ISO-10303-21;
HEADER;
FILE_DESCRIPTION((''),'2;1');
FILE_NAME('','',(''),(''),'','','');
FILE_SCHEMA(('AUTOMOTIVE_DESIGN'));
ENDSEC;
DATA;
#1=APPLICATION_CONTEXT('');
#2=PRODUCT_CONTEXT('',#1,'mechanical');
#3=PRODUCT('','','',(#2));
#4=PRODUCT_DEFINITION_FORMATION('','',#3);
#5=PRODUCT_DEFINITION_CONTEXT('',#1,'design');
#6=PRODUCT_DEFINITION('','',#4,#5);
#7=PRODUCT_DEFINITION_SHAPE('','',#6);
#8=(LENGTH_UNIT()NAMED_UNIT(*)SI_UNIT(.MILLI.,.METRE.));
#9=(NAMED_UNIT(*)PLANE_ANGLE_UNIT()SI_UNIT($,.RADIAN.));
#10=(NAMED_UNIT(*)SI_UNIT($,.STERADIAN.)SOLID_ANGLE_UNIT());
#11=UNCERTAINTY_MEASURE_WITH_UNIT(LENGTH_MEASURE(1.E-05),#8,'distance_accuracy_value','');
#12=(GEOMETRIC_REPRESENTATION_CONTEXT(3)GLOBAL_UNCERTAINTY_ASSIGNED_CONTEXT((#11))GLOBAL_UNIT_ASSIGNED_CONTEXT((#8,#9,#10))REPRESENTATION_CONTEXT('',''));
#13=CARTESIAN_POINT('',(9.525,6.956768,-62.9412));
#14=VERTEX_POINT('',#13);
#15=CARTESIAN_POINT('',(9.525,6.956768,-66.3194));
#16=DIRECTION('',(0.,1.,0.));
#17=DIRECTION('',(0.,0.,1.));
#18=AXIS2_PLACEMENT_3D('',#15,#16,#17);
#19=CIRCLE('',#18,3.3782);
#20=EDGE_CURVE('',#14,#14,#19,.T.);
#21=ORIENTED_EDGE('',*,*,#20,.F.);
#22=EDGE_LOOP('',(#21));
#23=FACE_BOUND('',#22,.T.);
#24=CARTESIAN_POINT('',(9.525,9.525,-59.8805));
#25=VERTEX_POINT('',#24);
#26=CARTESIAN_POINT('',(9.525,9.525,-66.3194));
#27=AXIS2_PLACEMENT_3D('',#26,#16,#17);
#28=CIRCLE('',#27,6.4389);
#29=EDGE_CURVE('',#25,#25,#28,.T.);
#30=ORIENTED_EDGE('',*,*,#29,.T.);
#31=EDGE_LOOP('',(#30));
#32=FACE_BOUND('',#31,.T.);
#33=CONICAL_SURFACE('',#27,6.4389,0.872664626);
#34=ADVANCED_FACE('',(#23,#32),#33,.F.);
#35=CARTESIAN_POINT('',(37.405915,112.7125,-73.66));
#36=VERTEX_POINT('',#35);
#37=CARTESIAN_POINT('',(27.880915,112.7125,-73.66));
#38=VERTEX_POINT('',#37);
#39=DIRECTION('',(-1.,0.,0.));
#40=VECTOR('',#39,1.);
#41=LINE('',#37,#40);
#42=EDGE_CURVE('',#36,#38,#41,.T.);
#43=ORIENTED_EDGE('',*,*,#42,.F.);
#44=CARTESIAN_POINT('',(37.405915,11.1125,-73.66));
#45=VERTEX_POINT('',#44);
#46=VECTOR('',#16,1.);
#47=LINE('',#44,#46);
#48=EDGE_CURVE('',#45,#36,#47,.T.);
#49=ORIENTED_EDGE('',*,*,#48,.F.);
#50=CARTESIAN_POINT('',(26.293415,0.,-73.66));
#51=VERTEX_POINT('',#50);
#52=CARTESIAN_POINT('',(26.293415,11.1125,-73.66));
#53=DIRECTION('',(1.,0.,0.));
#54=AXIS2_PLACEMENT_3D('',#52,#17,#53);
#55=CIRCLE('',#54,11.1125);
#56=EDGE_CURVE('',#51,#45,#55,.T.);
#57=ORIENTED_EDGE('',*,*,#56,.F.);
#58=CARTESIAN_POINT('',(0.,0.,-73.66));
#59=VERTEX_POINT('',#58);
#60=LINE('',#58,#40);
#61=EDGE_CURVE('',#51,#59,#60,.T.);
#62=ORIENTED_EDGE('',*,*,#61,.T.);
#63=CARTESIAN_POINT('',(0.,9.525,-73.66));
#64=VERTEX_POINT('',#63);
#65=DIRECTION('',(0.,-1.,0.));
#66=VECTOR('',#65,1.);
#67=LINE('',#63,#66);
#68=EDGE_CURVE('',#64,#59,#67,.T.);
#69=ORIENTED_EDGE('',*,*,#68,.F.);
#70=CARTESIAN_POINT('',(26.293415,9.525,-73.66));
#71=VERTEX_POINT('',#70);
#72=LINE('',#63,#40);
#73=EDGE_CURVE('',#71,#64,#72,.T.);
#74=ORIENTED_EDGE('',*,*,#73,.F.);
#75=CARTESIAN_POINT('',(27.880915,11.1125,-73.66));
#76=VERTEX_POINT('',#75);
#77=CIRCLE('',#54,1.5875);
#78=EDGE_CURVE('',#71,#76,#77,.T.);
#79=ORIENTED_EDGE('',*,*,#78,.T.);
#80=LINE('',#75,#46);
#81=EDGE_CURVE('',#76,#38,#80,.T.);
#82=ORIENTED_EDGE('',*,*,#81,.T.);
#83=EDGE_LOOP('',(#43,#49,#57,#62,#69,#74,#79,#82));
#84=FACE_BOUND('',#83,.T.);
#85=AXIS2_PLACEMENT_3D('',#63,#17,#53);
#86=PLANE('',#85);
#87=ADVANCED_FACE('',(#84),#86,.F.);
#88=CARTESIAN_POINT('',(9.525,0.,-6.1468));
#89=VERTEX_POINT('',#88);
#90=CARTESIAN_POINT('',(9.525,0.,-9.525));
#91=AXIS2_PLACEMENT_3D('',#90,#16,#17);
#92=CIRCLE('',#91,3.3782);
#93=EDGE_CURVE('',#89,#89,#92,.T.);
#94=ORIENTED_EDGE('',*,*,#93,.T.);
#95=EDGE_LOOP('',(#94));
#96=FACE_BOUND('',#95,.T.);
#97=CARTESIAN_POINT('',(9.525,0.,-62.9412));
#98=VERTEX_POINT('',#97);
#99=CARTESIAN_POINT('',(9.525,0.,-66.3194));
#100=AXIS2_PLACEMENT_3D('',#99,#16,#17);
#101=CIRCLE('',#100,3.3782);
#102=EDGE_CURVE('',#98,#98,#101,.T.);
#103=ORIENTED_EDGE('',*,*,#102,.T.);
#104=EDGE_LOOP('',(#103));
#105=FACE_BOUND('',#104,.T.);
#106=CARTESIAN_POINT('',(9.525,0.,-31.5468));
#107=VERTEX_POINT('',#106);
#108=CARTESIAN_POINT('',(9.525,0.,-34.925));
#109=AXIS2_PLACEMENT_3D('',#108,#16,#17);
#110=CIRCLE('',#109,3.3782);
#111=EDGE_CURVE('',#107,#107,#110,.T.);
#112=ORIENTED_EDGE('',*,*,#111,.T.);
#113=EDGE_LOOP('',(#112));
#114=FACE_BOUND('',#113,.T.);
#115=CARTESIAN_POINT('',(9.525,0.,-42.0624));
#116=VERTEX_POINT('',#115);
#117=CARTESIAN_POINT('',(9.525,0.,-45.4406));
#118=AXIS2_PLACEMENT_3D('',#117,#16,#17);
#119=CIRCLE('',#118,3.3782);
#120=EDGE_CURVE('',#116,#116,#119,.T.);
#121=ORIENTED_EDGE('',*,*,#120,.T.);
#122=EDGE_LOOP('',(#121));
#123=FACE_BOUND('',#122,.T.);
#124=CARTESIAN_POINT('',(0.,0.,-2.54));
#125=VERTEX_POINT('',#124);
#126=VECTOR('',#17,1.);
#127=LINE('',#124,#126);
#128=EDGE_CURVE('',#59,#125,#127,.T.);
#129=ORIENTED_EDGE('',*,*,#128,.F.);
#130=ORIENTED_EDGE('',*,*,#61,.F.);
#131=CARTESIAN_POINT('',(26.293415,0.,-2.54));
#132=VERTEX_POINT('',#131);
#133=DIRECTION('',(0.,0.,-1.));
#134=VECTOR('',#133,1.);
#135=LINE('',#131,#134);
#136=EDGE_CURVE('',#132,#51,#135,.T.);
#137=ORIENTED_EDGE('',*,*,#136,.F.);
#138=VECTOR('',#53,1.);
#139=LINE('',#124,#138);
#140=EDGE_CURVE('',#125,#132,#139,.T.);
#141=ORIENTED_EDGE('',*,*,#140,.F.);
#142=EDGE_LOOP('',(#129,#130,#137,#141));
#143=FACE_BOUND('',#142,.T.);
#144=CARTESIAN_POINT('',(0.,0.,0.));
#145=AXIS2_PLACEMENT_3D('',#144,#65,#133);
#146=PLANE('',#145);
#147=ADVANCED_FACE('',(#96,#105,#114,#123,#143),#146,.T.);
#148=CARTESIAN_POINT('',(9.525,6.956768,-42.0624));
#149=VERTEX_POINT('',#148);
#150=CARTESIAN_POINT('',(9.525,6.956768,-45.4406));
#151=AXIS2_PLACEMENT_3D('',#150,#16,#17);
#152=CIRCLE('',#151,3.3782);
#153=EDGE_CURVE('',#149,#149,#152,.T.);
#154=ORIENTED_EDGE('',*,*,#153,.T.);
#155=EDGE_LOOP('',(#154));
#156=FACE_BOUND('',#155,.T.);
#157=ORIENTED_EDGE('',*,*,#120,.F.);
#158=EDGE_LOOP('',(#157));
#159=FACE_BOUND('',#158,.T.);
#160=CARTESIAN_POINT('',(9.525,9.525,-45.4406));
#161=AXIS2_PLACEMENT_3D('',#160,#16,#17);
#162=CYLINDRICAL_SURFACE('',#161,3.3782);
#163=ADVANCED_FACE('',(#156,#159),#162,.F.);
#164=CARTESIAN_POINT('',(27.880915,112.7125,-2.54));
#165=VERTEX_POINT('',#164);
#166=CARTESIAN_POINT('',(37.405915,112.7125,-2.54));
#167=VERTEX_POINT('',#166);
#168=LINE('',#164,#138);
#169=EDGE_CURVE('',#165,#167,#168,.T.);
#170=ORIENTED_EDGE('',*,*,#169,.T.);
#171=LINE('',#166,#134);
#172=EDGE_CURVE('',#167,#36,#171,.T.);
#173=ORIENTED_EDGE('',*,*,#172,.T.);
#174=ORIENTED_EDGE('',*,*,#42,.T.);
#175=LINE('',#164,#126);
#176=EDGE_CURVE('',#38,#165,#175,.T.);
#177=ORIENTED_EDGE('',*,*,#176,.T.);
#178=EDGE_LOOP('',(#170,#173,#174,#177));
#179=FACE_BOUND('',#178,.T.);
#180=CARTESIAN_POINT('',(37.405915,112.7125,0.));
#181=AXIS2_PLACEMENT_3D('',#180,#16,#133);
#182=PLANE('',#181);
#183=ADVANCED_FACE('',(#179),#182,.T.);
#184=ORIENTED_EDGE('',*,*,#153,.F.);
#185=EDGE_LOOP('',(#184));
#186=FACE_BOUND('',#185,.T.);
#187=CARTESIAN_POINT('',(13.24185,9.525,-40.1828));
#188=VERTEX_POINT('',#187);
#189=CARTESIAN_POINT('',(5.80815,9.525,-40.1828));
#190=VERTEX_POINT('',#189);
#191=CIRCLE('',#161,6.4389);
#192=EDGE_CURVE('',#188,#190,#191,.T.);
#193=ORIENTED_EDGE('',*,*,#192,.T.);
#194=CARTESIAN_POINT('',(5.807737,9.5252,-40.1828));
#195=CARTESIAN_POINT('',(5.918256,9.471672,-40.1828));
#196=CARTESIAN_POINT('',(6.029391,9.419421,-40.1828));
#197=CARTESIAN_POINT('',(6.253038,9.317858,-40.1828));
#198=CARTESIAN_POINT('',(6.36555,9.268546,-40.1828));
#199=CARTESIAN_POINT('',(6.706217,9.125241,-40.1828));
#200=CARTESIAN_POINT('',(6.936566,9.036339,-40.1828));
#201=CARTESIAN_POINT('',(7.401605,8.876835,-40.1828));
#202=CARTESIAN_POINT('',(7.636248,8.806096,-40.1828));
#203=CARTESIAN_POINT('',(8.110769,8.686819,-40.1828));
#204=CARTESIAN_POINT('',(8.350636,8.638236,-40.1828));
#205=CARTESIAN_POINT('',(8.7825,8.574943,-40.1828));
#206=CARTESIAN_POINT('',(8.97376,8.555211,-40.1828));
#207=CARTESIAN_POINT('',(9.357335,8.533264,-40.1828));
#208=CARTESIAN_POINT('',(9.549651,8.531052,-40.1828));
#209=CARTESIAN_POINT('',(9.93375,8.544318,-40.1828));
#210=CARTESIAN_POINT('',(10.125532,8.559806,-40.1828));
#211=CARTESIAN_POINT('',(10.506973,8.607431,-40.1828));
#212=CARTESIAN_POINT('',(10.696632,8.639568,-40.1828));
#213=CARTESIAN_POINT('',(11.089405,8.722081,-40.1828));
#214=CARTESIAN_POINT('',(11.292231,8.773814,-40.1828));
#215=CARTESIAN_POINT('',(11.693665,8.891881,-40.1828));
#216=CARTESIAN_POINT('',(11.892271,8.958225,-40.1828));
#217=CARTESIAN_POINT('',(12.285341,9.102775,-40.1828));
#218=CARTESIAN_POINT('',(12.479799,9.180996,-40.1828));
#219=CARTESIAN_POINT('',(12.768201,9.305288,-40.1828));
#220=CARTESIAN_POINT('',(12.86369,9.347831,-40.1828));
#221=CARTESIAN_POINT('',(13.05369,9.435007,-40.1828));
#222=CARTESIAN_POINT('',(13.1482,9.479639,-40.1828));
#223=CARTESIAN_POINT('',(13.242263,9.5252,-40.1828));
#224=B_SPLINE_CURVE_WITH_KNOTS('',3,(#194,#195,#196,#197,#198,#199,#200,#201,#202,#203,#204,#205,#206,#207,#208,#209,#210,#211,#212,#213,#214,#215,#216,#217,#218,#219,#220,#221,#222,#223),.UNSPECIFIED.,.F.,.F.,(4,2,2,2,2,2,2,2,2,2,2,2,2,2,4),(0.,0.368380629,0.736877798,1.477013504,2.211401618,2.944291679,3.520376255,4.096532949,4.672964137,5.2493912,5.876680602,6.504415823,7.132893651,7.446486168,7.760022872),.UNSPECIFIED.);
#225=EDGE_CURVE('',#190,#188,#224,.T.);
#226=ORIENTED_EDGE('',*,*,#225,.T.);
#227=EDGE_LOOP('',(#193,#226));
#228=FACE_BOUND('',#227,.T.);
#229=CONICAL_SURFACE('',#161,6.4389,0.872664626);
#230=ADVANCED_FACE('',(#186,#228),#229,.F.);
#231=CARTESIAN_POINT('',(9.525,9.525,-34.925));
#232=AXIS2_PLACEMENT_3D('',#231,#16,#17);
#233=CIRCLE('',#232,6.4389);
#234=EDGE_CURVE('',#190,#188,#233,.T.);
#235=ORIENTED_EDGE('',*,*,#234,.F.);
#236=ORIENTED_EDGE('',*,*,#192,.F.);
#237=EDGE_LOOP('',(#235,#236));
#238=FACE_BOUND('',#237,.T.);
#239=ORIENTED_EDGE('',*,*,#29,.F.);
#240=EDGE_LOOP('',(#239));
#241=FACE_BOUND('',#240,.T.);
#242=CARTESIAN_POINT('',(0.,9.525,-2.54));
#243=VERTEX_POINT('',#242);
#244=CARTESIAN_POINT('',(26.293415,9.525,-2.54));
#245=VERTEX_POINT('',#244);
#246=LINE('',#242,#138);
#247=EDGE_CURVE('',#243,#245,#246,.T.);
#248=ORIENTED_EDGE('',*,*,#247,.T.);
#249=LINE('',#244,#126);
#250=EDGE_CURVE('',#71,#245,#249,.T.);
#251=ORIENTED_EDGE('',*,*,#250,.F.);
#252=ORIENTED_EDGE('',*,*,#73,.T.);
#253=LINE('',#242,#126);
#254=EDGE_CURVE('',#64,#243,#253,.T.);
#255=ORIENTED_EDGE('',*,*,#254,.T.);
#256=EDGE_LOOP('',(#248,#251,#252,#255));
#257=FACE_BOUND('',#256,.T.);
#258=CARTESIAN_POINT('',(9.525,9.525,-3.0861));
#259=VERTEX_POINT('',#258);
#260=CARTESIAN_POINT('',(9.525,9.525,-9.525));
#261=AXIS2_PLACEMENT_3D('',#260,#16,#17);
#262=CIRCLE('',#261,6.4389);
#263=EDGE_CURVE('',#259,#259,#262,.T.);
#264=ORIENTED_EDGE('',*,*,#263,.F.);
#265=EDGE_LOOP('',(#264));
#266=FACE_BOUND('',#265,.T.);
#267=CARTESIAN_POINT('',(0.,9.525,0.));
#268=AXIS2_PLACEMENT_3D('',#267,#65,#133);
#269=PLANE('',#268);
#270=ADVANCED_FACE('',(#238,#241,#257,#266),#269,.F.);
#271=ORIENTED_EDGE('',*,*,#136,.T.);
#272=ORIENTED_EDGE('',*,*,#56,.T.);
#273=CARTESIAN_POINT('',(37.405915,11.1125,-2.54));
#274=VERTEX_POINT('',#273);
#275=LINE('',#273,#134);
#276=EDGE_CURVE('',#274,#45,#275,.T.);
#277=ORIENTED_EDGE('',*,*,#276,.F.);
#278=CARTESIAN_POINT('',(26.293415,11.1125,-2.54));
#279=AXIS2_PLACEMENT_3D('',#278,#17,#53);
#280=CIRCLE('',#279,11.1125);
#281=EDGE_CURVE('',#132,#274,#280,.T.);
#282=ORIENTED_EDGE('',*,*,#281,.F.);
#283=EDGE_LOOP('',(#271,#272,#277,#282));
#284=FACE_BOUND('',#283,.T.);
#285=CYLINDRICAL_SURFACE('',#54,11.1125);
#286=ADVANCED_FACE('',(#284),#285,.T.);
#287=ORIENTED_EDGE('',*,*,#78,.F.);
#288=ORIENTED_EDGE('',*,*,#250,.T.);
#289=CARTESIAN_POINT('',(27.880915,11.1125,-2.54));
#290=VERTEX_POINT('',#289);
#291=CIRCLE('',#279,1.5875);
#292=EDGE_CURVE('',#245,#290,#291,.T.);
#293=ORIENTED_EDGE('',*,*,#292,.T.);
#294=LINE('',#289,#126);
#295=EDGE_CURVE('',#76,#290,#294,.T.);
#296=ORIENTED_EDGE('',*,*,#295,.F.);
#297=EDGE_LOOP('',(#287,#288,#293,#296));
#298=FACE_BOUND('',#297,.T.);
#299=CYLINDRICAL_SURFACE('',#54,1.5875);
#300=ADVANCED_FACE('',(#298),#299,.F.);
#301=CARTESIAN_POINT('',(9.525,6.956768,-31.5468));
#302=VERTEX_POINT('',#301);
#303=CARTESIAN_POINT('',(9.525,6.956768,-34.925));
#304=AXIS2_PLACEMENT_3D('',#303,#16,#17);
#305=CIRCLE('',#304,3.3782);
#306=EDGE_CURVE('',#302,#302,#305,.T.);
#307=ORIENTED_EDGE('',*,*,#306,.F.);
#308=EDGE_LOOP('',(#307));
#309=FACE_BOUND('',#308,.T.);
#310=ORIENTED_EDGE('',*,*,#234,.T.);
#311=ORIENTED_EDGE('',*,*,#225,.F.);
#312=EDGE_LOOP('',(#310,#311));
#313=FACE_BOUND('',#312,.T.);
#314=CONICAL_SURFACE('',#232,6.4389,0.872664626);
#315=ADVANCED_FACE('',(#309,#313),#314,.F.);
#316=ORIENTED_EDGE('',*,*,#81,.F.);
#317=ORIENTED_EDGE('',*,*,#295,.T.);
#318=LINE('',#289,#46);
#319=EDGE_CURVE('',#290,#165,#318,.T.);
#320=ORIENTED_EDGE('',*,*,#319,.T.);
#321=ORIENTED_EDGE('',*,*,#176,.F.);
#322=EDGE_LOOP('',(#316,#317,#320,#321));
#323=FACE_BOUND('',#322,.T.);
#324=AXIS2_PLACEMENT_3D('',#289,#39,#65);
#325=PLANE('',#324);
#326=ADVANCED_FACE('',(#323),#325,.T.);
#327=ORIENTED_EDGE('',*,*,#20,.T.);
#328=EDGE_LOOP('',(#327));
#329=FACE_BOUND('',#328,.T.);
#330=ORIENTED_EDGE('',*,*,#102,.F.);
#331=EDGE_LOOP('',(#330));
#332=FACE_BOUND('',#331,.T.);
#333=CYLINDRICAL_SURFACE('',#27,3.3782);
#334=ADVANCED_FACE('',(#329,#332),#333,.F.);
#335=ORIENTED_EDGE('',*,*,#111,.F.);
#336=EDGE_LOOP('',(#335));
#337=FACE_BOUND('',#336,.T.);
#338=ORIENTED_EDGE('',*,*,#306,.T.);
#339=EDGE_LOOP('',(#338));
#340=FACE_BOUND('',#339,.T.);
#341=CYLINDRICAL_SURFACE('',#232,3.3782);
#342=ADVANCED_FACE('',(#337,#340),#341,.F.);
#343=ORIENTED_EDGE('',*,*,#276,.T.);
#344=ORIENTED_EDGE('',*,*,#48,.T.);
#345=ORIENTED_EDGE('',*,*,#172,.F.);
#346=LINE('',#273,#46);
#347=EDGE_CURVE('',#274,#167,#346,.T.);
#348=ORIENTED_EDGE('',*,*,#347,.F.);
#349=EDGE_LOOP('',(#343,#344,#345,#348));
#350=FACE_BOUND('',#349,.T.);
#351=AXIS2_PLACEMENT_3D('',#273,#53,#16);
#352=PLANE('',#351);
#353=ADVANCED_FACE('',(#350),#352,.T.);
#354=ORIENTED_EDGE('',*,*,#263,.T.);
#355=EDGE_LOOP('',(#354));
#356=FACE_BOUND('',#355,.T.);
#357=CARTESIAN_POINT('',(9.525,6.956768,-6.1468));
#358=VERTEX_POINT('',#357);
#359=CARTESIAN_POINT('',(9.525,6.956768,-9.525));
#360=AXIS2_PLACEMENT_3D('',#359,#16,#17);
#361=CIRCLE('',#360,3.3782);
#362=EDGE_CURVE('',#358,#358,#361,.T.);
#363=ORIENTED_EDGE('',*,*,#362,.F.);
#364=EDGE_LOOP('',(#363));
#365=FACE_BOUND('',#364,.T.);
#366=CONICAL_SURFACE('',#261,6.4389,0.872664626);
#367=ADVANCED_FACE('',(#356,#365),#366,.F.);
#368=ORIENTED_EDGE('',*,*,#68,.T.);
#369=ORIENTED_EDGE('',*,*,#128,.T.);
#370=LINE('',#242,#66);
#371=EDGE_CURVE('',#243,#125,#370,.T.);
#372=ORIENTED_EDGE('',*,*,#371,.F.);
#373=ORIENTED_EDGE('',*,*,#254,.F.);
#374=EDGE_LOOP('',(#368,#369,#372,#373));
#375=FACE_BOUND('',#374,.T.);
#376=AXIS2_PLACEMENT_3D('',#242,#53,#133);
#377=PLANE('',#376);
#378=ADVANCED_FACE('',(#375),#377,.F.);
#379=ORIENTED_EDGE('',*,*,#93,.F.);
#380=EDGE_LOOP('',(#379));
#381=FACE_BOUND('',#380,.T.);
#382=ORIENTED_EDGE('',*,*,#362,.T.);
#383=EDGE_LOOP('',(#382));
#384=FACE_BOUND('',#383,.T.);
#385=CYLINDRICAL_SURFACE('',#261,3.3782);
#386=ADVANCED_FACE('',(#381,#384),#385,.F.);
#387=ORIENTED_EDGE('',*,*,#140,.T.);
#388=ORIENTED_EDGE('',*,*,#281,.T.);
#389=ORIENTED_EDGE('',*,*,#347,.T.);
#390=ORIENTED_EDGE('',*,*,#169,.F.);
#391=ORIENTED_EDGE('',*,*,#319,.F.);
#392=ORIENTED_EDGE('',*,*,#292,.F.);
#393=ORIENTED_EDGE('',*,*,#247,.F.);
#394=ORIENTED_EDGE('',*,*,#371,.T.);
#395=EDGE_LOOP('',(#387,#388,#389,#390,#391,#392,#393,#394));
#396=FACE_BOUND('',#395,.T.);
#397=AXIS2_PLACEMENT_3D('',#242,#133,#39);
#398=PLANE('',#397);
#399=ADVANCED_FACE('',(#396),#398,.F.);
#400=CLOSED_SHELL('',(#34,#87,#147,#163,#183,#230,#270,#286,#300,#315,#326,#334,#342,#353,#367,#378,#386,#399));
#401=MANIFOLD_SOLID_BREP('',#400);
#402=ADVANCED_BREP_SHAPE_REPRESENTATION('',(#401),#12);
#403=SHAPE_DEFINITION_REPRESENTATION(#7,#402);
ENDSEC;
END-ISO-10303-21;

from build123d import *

# Parameters (mm, degrees)
SKETCH1_W                                           = 25.4
SKETCH1_H                                           = 71.12
BOSS_EXTRUDE1_DEPTH                                 = 9.525
CSK_FOR_1_4_FLAT_HEAD_MACHINE_SCREW_100_D           = 6.7564
CSK_FOR_1_4_FLAT_HEAD_MACHINE_SCREW_100_CSINK_D     = 12.8778
CSK_FOR_1_4_FLAT_HEAD_MACHINE_SCREW_100_CSINK_ANGLE = 100
SKETCH6_W                                           = 71.12
SKETCH6_H                                           = 9.525


with BuildPart() as part:
    # Sketch1 → Boss-Extrude1 (new body)
    with BuildSketch(Plane(origin=(0, 0, 0), x_dir=(1, 0, 0), z_dir=(0, 1, 0))):
        with Locations((12.7, 38.1)):
            Rectangle(SKETCH1_W, SKETCH1_H)
    extrude(amount=BOSS_EXTRUDE1_DEPTH)

    # CSK for 1/4 Flat Head Machine Screw (100)1 (through all)
    with Locations(Plane(origin=(0, 9.525, 0), x_dir=(1, 0, 0), z_dir=(0, 1, 0))):
        with Locations((9.525, 9.525), (9.525, 34.925), (9.525, 45.4406), (9.525, 66.3194)):
            CounterSinkHole(CSK_FOR_1_4_FLAT_HEAD_MACHINE_SCREW_100_D / 2, CSK_FOR_1_4_FLAT_HEAD_MACHINE_SCREW_100_CSINK_D / 2, counter_sink_angle=CSK_FOR_1_4_FLAT_HEAD_MACHINE_SCREW_100_CSINK_ANGLE)

    # Sweep1: sweep along a path in Sketch4
    with BuildLine(Plane(origin=(0, 0, -73.66), x_dir=(-1, 0, 0), z_dir=(0, 0, -1))) as sweep1_path:
        Line((-32.643415346, 112.7125), (-32.643415346, 11.1125))
        ThreePointArc((-32.643415346, 11.1125), (-30.783543406, 6.622371939), (-26.293415346, 4.7625))
        Line((-26.293415346, 4.7625), (-25.4, 4.7625))
    # Sketch6 → Sweep1 (sweep)
    with BuildSketch(Plane(origin=(25.4, 0, 0), x_dir=(0, 0, -1), z_dir=(1, 0, 0))):
        with Locations((38.1, 4.7625)):
            Rectangle(SKETCH6_W, SKETCH6_H)
    sweep(path=sweep1_path.line)


solid = part.part
